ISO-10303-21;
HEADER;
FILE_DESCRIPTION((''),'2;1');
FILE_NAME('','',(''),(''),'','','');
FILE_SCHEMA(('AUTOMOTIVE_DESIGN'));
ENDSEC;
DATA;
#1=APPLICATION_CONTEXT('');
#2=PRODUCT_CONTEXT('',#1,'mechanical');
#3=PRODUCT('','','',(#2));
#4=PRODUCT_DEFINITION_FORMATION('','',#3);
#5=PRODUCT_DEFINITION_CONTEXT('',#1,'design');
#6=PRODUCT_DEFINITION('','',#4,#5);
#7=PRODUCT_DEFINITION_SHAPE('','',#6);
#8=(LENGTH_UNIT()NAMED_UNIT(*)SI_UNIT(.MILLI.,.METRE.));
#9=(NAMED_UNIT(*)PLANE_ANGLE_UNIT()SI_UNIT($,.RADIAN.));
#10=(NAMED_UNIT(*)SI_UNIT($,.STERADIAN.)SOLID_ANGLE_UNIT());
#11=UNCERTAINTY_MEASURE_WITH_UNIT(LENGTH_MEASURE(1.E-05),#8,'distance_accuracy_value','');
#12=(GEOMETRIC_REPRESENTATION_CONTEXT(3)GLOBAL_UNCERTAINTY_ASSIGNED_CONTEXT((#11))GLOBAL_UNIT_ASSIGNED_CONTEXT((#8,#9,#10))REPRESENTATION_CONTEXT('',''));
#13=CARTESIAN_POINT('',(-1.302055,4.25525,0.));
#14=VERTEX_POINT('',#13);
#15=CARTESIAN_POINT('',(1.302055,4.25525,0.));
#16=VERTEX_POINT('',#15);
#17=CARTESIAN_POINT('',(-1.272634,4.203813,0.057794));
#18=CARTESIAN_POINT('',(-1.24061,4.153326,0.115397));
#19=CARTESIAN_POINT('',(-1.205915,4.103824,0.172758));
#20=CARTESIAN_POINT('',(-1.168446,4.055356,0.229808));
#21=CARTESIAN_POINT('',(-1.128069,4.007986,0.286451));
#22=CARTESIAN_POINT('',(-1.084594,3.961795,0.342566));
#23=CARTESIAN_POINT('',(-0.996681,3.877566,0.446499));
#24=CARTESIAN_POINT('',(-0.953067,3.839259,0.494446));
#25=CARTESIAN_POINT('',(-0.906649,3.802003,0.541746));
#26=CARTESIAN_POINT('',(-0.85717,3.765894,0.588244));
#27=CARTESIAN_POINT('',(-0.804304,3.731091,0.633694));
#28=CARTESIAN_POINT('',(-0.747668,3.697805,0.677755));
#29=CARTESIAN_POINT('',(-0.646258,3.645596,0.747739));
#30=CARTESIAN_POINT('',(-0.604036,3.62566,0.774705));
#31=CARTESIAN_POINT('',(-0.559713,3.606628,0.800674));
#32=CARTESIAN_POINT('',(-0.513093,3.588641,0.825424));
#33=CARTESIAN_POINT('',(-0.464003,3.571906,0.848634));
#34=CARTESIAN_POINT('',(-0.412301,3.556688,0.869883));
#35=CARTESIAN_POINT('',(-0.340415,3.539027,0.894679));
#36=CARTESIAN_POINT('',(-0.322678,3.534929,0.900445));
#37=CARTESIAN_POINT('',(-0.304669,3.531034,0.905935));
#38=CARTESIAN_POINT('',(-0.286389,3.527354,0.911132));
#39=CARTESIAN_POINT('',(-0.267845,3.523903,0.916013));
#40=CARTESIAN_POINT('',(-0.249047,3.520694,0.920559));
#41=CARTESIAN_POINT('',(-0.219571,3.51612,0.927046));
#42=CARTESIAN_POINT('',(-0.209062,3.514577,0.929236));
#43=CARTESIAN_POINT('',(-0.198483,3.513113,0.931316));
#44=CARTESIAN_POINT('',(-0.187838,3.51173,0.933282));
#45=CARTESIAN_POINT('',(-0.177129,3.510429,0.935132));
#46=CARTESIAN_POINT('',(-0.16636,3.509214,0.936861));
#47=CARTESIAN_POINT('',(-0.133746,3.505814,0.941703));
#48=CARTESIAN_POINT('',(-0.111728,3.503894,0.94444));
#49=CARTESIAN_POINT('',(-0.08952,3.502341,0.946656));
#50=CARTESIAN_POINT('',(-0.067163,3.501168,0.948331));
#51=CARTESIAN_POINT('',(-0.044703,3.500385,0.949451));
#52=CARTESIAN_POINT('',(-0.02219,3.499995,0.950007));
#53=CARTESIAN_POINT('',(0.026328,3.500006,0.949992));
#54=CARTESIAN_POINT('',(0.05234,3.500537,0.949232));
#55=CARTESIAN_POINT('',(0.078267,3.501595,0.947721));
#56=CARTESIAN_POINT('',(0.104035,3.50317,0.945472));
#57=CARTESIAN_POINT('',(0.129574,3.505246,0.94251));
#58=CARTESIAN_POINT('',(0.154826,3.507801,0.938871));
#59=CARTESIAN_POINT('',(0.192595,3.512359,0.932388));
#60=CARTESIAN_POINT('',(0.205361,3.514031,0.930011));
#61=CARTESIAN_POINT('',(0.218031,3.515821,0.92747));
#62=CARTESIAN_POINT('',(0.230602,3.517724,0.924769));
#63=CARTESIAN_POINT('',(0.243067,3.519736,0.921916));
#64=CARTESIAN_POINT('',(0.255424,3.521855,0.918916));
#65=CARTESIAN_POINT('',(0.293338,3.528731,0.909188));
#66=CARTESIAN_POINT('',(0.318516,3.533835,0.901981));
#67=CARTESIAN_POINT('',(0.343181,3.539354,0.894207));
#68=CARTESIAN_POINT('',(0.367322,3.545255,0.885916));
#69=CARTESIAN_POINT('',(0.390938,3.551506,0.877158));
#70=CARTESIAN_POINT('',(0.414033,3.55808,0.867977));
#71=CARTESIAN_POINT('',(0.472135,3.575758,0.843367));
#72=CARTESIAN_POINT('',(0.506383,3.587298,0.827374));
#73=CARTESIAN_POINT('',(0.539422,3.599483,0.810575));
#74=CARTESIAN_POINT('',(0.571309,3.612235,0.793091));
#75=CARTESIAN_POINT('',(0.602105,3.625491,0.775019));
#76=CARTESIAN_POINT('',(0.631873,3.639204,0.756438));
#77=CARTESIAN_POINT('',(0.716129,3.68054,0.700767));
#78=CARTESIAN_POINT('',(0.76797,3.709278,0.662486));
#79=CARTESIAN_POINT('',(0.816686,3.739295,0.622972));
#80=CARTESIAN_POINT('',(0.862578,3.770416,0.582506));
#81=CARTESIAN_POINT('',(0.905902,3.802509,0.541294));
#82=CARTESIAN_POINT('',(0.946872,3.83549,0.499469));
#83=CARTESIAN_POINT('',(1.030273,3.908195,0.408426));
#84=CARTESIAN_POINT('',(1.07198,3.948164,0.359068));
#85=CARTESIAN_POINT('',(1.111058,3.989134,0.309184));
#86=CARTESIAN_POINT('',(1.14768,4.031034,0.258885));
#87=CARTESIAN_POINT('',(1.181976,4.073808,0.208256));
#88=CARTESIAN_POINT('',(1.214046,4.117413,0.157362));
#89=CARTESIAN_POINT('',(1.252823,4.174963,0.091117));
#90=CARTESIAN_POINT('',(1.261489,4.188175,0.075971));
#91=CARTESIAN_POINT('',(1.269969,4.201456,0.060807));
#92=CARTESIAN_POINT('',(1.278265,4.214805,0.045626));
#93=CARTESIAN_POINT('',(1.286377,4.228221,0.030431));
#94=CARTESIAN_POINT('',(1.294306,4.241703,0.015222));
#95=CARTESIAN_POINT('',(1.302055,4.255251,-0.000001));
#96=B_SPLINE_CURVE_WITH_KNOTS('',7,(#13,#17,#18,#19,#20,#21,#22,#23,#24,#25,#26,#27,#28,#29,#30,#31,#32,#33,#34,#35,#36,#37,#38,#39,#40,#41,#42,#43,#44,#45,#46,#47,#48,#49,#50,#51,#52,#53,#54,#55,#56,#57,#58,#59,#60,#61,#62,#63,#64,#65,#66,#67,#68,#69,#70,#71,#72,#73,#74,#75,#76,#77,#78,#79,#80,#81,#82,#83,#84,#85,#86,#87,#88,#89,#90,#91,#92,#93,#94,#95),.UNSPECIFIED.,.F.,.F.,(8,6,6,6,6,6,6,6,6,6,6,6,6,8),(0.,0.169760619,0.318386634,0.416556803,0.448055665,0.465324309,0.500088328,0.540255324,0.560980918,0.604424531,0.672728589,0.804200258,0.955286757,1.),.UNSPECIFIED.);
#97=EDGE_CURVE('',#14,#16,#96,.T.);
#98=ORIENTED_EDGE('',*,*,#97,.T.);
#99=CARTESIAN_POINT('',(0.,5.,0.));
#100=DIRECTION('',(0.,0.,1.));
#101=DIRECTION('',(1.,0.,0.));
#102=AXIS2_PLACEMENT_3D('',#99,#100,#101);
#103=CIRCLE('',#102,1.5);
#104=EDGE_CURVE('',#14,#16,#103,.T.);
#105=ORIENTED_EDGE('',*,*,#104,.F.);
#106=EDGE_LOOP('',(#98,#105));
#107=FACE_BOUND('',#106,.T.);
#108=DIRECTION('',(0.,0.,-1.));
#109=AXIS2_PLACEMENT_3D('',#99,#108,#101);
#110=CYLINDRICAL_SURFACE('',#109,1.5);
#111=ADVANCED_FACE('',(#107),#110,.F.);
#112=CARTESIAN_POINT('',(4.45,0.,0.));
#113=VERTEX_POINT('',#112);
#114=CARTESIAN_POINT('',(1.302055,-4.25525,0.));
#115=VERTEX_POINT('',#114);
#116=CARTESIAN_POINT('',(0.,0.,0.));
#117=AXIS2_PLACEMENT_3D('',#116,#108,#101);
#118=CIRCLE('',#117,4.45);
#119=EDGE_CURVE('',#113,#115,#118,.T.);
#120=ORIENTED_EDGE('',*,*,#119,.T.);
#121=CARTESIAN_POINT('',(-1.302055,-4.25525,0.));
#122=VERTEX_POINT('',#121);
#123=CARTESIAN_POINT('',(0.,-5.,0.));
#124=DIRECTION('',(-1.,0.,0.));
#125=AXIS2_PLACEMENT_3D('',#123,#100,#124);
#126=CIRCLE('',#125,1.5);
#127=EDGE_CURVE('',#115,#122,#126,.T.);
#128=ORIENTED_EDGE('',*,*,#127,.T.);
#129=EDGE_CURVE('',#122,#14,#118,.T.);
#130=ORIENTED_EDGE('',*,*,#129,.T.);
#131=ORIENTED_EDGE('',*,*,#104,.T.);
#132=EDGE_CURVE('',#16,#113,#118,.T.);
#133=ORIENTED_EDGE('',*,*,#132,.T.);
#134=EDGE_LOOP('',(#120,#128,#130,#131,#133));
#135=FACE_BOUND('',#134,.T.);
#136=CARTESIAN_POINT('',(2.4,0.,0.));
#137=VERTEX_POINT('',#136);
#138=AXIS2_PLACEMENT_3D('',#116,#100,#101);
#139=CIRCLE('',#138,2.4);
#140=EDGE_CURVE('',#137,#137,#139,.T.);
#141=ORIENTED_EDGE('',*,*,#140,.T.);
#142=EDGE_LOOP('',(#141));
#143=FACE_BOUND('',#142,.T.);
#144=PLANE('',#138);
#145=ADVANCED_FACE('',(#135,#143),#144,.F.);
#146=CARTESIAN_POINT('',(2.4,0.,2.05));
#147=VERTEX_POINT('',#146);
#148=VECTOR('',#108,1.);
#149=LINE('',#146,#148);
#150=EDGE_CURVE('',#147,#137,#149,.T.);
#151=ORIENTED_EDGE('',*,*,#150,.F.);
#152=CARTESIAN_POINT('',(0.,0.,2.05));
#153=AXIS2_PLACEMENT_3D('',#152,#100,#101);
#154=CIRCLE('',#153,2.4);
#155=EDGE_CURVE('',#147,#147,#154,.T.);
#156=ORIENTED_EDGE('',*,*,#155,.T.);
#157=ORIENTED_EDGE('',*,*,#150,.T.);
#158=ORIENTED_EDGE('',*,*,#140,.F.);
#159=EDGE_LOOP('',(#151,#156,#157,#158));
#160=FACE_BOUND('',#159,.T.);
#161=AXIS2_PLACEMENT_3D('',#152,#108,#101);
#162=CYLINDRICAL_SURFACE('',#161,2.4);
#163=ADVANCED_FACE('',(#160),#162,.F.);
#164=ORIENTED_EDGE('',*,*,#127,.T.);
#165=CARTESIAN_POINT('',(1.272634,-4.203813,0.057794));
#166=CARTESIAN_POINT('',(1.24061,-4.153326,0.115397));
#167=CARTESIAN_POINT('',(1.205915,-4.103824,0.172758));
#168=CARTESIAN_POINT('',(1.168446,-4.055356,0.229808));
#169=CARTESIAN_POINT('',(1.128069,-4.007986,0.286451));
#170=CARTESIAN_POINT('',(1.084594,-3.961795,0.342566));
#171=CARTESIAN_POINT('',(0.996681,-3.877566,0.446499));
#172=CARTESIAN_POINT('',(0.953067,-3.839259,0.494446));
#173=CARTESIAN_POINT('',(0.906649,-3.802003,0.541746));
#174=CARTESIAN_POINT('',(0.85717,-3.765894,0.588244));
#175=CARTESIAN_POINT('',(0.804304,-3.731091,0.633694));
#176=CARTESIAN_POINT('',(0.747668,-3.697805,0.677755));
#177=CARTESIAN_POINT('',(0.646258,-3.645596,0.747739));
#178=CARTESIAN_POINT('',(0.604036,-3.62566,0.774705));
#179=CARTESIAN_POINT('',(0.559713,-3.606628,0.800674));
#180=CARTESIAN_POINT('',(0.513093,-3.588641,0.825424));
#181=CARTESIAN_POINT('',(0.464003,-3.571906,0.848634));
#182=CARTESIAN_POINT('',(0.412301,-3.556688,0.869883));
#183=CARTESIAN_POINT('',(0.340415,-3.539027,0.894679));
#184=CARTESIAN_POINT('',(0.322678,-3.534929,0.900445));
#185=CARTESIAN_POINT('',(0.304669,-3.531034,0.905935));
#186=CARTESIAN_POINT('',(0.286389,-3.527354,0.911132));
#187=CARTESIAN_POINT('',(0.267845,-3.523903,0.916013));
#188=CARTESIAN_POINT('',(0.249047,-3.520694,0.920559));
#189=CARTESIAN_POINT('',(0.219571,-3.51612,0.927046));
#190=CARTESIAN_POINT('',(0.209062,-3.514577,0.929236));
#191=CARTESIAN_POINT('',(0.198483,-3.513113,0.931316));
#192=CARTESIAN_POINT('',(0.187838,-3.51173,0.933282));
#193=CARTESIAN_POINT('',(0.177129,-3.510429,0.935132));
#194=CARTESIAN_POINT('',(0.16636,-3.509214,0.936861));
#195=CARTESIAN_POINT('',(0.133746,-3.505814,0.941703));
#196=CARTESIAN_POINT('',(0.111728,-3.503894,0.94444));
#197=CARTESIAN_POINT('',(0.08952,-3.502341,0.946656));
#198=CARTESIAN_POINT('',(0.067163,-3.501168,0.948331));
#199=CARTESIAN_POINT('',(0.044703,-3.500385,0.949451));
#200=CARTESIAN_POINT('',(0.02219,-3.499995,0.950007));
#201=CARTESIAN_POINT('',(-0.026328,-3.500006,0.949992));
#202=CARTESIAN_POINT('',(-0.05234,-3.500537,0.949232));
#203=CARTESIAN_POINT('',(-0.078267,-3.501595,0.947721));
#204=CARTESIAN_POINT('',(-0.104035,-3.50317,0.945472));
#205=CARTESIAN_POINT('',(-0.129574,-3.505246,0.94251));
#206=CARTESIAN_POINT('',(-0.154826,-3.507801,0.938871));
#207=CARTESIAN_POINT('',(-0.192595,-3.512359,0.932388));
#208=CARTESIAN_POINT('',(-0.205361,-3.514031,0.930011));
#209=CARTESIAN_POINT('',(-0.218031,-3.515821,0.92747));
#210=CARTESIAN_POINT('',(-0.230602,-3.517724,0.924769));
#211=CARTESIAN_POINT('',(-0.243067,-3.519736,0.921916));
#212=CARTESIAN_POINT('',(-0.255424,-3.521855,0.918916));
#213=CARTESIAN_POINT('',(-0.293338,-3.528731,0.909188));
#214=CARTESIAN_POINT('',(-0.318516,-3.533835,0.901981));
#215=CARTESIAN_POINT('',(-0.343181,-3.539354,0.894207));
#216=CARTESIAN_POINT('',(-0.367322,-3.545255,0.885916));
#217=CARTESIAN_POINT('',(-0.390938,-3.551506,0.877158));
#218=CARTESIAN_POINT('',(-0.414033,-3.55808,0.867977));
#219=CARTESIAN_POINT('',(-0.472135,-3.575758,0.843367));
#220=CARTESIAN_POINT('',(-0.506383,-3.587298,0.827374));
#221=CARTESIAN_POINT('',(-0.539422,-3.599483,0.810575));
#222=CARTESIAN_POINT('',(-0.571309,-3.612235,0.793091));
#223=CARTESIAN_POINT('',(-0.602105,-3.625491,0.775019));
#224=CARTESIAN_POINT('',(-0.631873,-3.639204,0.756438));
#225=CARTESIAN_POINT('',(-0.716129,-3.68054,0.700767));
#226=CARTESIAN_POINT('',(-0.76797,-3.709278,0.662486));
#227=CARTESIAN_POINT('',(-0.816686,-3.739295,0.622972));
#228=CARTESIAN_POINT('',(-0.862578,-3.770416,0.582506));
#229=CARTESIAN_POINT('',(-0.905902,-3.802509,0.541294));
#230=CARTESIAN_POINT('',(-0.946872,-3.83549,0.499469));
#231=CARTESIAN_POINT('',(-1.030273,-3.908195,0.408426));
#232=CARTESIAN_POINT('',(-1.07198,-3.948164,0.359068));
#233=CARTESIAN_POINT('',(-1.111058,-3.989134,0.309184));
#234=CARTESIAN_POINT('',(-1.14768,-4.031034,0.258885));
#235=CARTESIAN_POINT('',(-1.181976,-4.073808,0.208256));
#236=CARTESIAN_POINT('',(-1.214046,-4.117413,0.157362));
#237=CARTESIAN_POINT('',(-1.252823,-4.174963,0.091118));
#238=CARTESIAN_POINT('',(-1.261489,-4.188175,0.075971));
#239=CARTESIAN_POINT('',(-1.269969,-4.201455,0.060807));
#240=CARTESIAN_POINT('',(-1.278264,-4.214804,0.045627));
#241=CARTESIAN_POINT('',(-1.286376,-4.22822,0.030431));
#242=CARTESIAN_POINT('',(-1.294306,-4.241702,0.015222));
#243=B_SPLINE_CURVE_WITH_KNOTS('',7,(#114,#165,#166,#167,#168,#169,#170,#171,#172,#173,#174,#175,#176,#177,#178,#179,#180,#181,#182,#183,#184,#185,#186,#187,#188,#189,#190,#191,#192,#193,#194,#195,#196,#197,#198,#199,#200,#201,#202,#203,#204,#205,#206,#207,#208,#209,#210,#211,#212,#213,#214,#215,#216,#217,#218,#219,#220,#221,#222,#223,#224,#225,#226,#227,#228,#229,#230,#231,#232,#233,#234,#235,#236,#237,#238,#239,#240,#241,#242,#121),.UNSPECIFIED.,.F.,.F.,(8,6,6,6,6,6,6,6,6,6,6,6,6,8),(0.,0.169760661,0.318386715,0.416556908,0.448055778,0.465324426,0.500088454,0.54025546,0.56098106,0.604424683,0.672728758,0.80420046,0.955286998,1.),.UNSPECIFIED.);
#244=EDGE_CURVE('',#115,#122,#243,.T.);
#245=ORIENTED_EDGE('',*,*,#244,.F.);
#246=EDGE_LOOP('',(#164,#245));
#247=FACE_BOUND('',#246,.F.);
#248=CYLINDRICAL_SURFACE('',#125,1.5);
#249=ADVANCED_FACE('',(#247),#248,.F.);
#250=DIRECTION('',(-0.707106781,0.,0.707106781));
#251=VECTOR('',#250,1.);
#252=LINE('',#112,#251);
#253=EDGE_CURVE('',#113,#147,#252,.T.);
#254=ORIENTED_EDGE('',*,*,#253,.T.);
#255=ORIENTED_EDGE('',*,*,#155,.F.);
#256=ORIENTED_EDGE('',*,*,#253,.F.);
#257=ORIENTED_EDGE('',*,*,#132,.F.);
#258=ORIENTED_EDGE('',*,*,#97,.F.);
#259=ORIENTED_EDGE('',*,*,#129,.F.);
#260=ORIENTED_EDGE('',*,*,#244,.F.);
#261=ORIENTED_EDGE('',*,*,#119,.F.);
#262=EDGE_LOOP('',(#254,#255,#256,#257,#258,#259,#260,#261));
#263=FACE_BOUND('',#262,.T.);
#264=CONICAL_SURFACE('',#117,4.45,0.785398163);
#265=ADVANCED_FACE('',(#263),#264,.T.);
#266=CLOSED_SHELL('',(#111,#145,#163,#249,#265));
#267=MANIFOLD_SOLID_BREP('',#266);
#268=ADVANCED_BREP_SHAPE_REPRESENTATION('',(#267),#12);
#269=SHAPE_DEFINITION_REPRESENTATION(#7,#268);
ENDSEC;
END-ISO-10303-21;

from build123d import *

# Parameters (mm, degrees)
SKETCH001_R        = 1.5
POCKET_DEPTH       = 25.505705
POCKET_DEPTH_BACK  = 27.555705
POLARPATTERN_COUNT = 2


with BuildPart() as part:
    # Sketch → Revolution (revolve)
    with BuildSketch(Plane.XZ):
        Polygon((2.4, 0), (4.45, 0), (2.4, 2.05), align=None)
    revolve(axis=Axis((0, 0, 0), (0, 0, 1)))

    # Sketch001 → Pocket (cut, two sides)
    with BuildSketch(Plane.XY) as pocket_sk:
        with Locations((0, 5)):
            Circle(SKETCH001_R)
    pocket = extrude(amount=-POCKET_DEPTH, mode=Mode.SUBTRACT) + extrude(pocket_sk.sketch, amount=POCKET_DEPTH_BACK, mode=Mode.SUBTRACT)

    # PolarPattern: Pocket ×2 about axis
    polarpattern_axis = Axis((0, 0, 0), (0, 0, 1))
    for i in range(1, POLARPATTERN_COUNT):
        add(pocket.rotate(polarpattern_axis, i * 360 / POLARPATTERN_COUNT), mode=Mode.SUBTRACT)


solid = part.part
